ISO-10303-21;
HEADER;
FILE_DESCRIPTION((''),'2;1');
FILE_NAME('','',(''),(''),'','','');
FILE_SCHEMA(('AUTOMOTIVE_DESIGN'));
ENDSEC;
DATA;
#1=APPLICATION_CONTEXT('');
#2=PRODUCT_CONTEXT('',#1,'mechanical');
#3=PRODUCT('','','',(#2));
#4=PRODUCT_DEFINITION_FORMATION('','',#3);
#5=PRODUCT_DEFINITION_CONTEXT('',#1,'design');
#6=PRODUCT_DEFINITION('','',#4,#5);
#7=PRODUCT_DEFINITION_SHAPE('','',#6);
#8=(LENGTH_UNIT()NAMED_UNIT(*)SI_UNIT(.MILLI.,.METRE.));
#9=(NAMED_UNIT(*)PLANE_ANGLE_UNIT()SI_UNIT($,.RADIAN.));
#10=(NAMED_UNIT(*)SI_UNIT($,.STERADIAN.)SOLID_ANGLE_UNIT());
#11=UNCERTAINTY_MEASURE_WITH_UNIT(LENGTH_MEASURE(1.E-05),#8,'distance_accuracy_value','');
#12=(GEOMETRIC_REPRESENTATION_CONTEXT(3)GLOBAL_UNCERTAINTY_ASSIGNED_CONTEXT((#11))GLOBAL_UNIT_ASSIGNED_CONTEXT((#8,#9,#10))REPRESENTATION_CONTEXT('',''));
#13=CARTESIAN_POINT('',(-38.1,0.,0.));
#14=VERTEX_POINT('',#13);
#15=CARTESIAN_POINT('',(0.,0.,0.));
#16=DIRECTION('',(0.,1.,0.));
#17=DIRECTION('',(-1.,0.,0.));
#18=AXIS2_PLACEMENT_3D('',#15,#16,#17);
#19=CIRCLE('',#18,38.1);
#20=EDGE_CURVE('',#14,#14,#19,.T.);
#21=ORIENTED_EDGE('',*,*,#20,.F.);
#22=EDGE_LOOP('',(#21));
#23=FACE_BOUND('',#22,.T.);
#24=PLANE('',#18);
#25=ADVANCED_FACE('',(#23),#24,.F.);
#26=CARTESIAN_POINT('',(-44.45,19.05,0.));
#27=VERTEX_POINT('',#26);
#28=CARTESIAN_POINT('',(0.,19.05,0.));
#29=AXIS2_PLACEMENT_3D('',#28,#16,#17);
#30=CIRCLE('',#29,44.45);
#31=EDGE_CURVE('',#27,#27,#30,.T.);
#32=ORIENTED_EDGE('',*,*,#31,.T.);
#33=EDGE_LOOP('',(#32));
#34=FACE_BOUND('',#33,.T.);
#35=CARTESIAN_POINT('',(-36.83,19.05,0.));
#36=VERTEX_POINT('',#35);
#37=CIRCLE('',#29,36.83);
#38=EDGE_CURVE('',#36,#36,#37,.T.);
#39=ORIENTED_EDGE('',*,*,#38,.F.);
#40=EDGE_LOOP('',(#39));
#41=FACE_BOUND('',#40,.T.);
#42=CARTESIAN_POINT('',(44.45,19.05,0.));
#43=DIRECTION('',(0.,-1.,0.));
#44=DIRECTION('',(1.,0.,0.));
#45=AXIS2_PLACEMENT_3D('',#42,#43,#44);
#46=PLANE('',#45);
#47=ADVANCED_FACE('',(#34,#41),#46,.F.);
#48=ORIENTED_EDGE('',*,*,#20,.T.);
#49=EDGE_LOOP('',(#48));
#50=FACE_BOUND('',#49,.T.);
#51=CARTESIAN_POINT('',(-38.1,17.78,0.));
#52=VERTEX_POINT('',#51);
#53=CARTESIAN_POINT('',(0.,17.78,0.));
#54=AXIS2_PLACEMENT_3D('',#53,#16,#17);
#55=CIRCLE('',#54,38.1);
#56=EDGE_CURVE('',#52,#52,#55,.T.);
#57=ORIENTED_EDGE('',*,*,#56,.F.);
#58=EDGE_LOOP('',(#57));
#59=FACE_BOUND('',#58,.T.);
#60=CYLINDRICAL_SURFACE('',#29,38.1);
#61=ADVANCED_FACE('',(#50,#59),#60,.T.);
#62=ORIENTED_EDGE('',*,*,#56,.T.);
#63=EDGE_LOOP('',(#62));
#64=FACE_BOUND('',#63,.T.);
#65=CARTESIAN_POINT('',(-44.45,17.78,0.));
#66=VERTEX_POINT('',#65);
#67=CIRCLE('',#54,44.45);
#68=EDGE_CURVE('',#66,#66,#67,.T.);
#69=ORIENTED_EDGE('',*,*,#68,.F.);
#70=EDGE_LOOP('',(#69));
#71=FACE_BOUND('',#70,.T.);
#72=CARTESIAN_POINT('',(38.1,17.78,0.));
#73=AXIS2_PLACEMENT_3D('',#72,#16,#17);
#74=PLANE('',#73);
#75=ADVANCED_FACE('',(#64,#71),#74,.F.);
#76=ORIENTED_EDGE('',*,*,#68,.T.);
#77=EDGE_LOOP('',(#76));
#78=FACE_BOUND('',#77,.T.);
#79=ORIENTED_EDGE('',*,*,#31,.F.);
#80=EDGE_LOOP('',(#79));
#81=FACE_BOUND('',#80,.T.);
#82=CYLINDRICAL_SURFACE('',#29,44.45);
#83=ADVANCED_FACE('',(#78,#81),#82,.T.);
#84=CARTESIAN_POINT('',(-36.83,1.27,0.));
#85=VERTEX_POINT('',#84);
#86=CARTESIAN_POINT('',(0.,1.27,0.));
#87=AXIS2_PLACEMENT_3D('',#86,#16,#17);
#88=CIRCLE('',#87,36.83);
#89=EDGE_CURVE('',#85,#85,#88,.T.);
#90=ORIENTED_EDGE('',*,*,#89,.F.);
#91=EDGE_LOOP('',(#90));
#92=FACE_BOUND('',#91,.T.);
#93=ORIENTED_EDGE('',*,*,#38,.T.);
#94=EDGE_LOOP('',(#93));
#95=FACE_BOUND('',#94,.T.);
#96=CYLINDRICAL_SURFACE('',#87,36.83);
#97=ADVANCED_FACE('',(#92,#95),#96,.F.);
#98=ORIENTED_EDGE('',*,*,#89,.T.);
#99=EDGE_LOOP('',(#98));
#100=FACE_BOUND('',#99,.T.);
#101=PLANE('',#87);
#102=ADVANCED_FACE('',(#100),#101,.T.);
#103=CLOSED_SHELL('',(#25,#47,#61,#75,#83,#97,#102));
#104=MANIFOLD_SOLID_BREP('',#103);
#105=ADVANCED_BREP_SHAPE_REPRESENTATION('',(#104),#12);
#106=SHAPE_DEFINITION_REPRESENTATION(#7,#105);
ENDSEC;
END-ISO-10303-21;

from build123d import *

# Parameters (mm, degrees)
SKETCH4_R          = 36.83
CUT_EXTRUDE1_DEPTH = 17.78


with BuildPart() as part:
    # Sketch3 → Revolve1 (revolve)
    with BuildSketch(Plane.XY):
        Polygon((0, 0), (38.1, 0), (38.1, 17.78), (44.45, 17.78), (44.45, 19.05), (0, 19.05), align=None)
    revolve(axis=Axis((0, 19.05, 0), (0, -1, 0)))

    # Sketch4 → Cut-Extrude1 (cut)
    with BuildSketch(Plane(origin=(0, 19.05, 0), x_dir=(1, 0, 0), z_dir=(0, 1, 0))):
        Circle(SKETCH4_R)
    extrude(amount=-CUT_EXTRUDE1_DEPTH, mode=Mode.SUBTRACT)


solid = part.part
